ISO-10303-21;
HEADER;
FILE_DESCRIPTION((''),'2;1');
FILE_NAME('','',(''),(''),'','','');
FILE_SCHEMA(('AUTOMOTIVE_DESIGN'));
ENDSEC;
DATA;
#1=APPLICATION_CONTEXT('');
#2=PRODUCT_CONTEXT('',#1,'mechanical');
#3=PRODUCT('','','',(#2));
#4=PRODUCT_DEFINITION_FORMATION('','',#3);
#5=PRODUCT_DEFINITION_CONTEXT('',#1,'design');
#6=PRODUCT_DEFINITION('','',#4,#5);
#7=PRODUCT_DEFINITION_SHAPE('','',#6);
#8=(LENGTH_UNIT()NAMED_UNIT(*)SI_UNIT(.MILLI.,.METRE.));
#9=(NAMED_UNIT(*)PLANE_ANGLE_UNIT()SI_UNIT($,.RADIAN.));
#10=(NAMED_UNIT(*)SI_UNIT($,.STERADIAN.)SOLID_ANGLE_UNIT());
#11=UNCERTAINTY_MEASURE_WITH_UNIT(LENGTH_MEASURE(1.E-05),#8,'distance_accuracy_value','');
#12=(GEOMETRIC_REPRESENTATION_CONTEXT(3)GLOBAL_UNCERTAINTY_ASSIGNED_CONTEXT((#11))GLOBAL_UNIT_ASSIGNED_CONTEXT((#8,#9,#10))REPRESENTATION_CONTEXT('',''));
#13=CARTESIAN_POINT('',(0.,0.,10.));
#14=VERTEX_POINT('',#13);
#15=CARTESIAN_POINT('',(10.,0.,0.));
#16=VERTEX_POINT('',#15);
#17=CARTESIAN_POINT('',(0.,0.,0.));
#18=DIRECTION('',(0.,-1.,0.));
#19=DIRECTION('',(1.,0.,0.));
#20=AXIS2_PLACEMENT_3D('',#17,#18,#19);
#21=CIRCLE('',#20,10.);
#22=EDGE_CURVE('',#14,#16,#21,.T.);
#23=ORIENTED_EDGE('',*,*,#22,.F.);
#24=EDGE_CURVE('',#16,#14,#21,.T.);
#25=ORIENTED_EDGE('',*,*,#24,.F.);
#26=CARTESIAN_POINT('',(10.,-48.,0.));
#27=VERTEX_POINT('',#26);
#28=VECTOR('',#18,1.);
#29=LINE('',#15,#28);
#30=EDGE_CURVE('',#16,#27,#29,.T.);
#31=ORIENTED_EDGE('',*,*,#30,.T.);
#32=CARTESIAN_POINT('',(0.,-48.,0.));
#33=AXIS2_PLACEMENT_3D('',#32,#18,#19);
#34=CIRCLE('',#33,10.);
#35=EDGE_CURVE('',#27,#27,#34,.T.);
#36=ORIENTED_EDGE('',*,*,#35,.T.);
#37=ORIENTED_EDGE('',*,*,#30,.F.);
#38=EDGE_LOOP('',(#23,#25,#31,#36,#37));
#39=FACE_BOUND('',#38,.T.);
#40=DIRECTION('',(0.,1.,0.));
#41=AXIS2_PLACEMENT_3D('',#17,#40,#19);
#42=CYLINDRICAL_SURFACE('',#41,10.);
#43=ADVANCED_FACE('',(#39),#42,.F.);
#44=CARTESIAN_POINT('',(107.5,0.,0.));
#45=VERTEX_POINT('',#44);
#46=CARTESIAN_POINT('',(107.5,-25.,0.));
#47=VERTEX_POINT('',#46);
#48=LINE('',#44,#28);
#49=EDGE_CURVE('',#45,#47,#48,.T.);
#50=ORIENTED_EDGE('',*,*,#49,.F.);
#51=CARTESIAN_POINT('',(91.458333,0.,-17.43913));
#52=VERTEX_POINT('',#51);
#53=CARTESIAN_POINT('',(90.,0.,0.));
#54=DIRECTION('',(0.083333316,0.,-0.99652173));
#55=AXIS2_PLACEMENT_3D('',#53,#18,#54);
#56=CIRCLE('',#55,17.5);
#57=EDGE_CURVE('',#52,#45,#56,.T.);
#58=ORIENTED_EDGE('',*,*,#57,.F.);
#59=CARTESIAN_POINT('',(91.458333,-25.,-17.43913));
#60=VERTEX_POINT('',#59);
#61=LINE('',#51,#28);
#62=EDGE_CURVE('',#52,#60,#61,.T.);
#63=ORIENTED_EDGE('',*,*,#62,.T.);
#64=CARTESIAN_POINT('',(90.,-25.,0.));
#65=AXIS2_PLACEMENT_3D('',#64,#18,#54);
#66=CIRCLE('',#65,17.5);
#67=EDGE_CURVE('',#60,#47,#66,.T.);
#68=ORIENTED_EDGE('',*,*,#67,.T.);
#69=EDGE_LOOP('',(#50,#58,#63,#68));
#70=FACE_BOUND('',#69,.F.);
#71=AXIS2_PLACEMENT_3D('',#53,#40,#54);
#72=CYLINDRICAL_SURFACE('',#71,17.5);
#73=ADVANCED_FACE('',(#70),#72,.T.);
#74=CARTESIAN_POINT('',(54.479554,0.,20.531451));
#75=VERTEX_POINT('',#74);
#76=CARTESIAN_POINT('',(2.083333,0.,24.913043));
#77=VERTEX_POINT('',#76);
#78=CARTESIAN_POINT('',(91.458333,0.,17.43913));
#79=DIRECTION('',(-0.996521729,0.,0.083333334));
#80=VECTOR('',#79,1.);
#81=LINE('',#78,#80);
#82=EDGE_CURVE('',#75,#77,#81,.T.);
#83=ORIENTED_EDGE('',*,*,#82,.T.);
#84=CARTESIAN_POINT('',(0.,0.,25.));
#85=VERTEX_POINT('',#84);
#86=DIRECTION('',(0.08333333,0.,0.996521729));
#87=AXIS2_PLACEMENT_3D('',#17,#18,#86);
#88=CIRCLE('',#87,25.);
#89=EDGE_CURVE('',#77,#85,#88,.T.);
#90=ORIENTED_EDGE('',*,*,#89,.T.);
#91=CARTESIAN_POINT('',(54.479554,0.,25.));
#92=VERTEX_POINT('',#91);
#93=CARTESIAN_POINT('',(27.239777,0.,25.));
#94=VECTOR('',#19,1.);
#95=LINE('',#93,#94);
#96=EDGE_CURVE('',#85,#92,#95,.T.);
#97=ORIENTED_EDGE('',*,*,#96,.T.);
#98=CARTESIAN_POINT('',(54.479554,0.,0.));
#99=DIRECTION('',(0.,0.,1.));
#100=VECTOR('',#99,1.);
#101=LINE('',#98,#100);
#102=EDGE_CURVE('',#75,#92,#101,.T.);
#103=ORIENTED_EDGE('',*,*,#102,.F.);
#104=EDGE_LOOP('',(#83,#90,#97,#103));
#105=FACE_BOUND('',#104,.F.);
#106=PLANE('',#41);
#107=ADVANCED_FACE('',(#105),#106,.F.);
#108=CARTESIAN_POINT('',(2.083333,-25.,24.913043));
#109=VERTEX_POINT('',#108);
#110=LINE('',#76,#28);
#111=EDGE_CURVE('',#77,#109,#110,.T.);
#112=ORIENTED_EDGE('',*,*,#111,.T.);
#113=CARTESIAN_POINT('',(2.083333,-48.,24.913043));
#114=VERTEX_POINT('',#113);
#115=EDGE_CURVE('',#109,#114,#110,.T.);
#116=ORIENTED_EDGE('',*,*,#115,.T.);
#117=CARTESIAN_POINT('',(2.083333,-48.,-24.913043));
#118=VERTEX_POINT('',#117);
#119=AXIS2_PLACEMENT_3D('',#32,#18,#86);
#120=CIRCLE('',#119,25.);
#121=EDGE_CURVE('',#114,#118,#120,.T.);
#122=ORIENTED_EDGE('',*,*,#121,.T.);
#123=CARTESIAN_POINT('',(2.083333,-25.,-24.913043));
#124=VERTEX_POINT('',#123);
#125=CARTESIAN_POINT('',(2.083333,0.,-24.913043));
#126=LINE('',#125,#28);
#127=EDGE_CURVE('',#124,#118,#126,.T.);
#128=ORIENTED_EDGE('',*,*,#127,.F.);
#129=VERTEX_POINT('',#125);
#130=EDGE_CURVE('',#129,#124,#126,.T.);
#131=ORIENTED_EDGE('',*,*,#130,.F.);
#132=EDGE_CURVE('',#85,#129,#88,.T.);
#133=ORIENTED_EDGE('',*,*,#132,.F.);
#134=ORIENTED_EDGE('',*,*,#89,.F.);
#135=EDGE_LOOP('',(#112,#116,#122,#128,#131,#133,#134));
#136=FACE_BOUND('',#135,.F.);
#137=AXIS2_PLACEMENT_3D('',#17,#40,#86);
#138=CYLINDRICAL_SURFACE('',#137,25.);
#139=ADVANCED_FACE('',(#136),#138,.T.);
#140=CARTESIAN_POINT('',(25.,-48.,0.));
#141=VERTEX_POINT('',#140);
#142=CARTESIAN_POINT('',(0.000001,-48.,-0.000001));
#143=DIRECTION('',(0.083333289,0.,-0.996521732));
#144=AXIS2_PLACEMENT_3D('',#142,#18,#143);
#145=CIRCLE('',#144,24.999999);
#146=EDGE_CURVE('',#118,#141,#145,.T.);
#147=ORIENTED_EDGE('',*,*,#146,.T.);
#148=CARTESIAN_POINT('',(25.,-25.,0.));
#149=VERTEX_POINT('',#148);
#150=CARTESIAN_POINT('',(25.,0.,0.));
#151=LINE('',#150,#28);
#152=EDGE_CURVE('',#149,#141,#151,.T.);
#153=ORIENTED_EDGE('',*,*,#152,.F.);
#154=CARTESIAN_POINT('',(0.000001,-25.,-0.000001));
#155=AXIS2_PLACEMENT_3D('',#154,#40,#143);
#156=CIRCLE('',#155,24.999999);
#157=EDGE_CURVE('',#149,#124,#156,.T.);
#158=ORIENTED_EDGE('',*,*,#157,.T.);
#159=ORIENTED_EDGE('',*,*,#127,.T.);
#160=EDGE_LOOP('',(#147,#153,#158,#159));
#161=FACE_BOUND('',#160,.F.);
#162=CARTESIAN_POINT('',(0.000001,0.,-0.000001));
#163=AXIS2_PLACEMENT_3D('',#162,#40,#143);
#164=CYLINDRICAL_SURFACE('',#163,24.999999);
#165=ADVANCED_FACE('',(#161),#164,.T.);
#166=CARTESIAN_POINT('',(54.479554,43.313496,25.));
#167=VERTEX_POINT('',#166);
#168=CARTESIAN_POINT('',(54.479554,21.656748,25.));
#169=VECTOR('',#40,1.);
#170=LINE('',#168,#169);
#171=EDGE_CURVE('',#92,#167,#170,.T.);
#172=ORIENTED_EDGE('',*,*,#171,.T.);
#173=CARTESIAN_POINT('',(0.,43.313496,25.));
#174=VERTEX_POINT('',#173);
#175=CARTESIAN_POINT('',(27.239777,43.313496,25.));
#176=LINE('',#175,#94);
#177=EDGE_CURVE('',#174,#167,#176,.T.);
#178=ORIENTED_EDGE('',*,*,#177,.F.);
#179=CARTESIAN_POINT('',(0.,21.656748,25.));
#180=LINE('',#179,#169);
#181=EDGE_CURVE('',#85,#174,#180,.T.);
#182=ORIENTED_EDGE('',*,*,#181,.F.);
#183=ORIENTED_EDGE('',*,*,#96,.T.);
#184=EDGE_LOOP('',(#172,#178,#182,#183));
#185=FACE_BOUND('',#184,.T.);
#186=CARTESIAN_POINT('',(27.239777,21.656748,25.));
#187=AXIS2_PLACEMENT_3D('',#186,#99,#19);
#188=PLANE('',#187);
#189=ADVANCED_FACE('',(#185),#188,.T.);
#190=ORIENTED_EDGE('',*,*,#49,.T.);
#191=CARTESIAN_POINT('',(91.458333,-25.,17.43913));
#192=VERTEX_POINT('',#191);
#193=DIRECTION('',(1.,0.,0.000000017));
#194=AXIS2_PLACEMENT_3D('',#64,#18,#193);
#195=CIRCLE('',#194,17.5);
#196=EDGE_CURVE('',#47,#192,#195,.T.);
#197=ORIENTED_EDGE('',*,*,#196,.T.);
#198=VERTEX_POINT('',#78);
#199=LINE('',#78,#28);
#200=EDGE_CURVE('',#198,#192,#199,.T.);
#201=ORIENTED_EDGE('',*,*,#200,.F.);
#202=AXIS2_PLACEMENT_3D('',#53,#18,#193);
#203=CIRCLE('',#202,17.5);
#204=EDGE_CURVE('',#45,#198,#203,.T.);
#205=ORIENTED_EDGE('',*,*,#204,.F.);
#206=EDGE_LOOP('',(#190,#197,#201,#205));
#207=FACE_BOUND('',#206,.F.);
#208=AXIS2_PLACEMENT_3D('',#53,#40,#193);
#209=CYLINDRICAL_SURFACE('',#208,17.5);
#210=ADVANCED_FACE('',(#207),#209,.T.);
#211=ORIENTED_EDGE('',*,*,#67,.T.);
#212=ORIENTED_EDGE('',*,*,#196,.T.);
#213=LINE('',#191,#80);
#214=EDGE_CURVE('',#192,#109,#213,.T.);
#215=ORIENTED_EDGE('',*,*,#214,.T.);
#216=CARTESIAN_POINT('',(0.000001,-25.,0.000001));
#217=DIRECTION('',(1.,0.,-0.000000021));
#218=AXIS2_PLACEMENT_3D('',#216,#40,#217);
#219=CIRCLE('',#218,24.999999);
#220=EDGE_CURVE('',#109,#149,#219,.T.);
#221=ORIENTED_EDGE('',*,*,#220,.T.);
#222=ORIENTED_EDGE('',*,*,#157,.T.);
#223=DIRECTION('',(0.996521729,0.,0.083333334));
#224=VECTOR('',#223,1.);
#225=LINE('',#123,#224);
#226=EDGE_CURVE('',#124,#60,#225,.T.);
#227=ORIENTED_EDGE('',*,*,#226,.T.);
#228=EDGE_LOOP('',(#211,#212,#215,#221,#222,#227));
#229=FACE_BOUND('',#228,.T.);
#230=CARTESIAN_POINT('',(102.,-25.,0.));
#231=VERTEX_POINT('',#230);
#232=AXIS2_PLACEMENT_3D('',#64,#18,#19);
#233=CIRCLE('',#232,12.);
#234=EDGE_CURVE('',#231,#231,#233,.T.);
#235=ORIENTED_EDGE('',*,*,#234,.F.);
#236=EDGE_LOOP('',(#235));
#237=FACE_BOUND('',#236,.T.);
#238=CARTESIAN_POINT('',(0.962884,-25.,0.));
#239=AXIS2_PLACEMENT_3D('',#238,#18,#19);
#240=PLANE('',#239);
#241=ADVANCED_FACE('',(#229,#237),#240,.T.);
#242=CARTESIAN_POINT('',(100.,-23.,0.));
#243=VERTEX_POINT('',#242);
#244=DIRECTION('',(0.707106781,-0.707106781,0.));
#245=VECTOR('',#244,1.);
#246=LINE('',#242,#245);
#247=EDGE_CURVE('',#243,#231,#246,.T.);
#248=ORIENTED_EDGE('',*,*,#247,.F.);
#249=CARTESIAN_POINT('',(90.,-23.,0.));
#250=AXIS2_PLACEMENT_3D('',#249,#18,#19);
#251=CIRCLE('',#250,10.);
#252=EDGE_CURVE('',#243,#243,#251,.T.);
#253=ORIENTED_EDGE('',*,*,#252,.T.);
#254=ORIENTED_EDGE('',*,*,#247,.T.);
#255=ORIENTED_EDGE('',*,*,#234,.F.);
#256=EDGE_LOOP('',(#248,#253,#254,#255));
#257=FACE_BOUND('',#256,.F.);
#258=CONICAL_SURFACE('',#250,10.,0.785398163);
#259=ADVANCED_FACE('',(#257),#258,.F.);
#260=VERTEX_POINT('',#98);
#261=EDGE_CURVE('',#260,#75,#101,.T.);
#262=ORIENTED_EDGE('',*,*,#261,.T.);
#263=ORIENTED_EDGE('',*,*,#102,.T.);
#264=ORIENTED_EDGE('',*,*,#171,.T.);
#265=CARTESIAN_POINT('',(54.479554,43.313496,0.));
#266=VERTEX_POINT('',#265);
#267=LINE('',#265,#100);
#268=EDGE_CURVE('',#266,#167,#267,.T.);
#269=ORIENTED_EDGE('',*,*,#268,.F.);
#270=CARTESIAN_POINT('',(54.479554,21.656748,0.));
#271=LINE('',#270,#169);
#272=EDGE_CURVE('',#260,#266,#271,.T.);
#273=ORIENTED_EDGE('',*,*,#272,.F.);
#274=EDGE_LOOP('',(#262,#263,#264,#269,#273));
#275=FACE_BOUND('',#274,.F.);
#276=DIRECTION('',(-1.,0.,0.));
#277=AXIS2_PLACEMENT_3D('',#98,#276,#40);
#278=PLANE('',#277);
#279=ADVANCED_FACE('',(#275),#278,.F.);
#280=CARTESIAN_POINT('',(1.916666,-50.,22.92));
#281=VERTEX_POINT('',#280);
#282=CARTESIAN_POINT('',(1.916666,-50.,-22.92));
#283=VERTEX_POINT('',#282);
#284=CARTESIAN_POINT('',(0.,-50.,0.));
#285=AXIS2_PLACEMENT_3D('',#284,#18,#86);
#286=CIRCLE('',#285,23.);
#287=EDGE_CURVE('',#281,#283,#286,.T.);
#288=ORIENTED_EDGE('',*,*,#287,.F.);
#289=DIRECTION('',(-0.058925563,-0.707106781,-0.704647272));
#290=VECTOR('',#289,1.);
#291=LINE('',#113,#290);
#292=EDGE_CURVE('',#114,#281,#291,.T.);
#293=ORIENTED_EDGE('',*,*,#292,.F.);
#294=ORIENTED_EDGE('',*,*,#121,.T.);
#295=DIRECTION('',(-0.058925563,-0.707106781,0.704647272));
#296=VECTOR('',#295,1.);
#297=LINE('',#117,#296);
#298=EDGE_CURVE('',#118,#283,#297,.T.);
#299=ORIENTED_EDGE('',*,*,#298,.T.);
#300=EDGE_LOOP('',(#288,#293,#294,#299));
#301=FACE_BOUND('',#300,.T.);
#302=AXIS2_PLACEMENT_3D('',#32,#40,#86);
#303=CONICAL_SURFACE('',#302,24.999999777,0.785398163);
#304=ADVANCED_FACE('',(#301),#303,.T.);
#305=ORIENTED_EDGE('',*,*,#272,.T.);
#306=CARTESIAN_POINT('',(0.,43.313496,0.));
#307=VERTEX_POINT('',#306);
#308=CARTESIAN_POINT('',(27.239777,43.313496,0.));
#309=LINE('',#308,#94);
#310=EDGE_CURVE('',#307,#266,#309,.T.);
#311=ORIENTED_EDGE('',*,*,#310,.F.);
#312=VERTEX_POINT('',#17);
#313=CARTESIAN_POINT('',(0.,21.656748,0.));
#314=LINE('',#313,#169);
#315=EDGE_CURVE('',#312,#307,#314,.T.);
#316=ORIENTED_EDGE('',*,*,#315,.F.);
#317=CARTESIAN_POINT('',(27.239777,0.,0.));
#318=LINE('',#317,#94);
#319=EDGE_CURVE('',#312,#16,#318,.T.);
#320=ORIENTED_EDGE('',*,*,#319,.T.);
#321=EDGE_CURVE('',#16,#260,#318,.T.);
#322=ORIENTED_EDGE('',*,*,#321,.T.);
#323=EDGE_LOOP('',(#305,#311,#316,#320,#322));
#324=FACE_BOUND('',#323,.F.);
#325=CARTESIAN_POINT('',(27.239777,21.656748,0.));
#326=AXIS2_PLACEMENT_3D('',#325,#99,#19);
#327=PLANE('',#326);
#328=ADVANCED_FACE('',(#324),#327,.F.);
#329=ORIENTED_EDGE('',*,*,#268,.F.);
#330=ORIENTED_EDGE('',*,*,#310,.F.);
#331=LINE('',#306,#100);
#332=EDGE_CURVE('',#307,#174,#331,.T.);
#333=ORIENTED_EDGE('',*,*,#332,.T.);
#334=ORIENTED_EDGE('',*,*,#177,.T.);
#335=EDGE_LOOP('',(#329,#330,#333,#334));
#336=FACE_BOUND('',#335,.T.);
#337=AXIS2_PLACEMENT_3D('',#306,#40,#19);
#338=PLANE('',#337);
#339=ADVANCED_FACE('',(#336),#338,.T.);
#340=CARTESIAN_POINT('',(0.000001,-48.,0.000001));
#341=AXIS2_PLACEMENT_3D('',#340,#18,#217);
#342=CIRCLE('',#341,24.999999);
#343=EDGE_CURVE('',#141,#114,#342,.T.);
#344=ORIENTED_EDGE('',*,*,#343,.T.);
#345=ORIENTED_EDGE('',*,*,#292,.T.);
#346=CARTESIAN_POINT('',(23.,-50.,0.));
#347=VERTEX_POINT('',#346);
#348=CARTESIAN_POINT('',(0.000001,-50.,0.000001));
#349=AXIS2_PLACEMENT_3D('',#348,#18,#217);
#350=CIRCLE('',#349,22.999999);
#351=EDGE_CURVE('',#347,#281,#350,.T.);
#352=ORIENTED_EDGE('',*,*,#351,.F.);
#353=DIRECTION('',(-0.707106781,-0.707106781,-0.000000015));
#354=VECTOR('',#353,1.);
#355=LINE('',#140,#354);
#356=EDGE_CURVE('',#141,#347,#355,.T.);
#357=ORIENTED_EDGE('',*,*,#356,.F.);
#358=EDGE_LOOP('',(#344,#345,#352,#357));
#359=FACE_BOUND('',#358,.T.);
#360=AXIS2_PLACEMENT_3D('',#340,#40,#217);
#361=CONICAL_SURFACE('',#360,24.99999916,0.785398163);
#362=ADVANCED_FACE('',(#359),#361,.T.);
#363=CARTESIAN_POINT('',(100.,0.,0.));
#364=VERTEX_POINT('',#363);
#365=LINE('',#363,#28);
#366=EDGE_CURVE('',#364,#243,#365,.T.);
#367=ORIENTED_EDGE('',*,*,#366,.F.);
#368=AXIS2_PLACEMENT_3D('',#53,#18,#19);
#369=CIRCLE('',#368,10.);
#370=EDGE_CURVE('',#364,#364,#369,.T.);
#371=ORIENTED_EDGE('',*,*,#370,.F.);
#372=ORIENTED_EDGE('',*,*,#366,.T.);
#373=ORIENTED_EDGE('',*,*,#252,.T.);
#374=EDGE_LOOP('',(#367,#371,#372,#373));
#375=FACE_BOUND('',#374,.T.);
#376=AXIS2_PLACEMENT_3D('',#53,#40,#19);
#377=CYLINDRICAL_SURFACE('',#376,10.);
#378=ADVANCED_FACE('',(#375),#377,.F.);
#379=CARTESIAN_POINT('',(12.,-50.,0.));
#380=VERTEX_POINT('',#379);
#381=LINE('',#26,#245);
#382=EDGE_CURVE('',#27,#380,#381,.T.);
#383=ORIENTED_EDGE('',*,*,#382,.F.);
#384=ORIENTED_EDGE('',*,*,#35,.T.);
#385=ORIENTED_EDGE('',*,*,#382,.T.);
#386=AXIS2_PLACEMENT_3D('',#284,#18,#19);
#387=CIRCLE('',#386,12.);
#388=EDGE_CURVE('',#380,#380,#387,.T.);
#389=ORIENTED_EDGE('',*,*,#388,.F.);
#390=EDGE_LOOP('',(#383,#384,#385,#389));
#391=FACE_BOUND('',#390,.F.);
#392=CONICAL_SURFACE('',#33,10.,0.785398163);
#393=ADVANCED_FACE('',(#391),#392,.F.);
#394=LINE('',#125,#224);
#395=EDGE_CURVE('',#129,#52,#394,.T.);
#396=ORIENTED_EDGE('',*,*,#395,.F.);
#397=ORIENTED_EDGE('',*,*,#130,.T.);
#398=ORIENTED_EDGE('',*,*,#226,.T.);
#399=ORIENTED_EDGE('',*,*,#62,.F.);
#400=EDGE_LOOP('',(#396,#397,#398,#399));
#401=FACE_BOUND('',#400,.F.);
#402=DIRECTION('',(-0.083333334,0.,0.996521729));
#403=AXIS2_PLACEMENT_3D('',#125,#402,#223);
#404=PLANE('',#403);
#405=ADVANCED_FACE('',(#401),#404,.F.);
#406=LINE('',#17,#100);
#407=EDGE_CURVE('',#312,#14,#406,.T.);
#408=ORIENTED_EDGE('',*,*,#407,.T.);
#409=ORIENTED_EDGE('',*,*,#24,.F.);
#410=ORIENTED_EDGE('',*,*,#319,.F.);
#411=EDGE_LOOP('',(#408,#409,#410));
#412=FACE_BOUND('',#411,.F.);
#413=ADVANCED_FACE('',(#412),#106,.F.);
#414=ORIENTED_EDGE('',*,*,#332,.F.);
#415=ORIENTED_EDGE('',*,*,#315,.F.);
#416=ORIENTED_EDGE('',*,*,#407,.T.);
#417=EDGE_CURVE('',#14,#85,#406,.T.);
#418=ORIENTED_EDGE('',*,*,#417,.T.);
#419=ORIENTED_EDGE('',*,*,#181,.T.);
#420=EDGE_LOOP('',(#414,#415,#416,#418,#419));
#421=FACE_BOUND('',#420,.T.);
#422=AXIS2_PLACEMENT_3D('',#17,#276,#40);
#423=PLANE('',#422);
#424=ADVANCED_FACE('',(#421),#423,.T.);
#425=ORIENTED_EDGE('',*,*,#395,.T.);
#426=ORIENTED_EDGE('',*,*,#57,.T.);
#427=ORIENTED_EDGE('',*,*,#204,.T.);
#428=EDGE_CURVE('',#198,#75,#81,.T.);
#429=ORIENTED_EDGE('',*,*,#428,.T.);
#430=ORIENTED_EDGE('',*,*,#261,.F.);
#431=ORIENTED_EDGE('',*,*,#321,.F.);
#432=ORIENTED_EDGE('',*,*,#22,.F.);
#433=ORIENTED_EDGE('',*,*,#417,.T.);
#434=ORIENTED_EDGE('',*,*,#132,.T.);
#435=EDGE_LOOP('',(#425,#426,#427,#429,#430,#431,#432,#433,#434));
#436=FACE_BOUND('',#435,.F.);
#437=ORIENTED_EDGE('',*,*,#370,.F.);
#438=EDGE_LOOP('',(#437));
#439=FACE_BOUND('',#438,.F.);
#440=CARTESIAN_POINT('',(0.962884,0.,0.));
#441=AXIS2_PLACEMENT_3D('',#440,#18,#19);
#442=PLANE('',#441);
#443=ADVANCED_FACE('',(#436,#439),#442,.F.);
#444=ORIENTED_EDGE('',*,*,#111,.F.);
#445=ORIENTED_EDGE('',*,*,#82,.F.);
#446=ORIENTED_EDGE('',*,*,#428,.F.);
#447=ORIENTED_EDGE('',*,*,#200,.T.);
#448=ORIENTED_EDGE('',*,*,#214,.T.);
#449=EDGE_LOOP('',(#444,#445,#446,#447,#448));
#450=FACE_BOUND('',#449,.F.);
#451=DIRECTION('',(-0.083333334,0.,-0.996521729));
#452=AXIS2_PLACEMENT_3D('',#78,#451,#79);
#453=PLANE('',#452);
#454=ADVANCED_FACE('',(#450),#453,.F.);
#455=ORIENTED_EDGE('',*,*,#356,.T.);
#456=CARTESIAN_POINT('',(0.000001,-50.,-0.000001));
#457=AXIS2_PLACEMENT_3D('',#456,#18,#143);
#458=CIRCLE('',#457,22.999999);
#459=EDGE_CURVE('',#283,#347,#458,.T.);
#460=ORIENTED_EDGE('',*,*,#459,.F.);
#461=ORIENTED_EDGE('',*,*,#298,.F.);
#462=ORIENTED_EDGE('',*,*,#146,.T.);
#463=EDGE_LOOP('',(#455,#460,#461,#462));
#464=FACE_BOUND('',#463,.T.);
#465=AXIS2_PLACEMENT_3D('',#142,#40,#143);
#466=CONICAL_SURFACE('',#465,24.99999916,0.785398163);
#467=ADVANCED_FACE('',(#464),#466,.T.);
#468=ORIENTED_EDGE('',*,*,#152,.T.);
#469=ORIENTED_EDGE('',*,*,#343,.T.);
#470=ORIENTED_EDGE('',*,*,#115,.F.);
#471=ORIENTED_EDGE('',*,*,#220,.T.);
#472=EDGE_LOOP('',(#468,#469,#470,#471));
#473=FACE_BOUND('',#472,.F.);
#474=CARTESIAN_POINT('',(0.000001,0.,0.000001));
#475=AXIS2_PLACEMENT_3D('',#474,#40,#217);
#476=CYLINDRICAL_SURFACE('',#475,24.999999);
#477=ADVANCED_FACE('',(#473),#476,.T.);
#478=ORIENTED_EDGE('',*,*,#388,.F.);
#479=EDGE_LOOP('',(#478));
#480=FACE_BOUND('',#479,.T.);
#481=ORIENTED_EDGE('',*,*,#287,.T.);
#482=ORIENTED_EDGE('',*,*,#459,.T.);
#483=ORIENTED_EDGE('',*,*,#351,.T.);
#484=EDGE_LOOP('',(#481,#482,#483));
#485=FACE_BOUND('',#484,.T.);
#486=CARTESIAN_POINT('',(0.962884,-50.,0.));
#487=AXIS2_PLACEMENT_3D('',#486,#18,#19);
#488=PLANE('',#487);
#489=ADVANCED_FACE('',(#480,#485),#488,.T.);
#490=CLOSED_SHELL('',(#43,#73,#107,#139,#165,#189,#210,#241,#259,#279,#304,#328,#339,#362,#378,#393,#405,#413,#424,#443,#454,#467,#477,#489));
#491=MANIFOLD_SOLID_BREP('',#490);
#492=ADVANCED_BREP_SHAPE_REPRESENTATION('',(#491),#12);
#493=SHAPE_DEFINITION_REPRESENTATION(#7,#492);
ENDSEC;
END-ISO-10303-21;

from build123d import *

# Parameters (mm, degrees)
F0_R     = 10
F1_DEPTH = 25
F2_DEPTH = 50
F3_SIZE  = 2
F4_W     = 54.479554
F4_H     = 43.313496
F5_DEPTH = 25


with BuildPart() as f1:
    # F0 (on Front) → F1 (new body)
    with BuildSketch(Plane.XZ):
        with BuildLine():
            ThreePointArc((2.083333, -24.913043), (18.399502, -16.92508), (25, 0))
            ThreePointArc((25, 0), (18.399502, 16.92508), (2.083333, 24.913043))
            ThreePointArc((2.083333, 24.913043), (-25, 0), (2.083333, -24.913043))
        make_face()
        Circle(F0_R, mode=Mode.SUBTRACT)
        with BuildLine():
            ThreePointArc((2.083333, 24.913043), (18.399502, 16.92508), (25, 0))
            ThreePointArc((25, 0), (18.399502, -16.92508), (2.083333, -24.913043))
            Line((2.083333, -24.913043), (91.458333, -17.43913))
            ThreePointArc((91.458333, -17.43913), (72.5, 0), (91.458333, 17.43913))
            Line((91.458333, 17.43913), (2.083333, 24.913043))
        make_face()
        with BuildLine():
            ThreePointArc((107.5, 0), (102.879651, 11.847556), (91.458333, 17.43913))
            ThreePointArc((91.458333, 17.43913), (72.5, 0), (91.458333, -17.43913))
            ThreePointArc((91.458333, -17.43913), (102.879651, -11.847556), (107.5, 0))
        make_face()
        with Locations((90, 0)):
            Circle(F0_R, mode=Mode.SUBTRACT)
    extrude(amount=F1_DEPTH)

    # F0 (on Front) → F2 (join)
    with BuildSketch(Plane.XZ):
        with BuildLine():
            ThreePointArc((2.083333, -24.913043), (18.399502, -16.92508), (25, 0))
            ThreePointArc((25, 0), (18.399502, 16.92508), (2.083333, 24.913043))
            ThreePointArc((2.083333, 24.913043), (-25, 0), (2.083333, -24.913043))
        make_face()
        Circle(F0_R, mode=Mode.SUBTRACT)
    extrude(amount=F2_DEPTH)

    # F3
    f3_edges = [f1.edges().sort_by_distance(p)[0] for p in [
        (-2.083333, -50, 24.913043),
        (-10, -50, 0),
        (80, -25, 0),
    ]]
    chamfer(f3_edges, length=F3_SIZE)

    # F4 (on Top) → F5 (join)
    with BuildSketch(Plane.XY):
        with Locations((27.239777, 21.656748)):
            Rectangle(F4_W, F4_H)
    extrude(amount=F5_DEPTH)


solid = f1.part
